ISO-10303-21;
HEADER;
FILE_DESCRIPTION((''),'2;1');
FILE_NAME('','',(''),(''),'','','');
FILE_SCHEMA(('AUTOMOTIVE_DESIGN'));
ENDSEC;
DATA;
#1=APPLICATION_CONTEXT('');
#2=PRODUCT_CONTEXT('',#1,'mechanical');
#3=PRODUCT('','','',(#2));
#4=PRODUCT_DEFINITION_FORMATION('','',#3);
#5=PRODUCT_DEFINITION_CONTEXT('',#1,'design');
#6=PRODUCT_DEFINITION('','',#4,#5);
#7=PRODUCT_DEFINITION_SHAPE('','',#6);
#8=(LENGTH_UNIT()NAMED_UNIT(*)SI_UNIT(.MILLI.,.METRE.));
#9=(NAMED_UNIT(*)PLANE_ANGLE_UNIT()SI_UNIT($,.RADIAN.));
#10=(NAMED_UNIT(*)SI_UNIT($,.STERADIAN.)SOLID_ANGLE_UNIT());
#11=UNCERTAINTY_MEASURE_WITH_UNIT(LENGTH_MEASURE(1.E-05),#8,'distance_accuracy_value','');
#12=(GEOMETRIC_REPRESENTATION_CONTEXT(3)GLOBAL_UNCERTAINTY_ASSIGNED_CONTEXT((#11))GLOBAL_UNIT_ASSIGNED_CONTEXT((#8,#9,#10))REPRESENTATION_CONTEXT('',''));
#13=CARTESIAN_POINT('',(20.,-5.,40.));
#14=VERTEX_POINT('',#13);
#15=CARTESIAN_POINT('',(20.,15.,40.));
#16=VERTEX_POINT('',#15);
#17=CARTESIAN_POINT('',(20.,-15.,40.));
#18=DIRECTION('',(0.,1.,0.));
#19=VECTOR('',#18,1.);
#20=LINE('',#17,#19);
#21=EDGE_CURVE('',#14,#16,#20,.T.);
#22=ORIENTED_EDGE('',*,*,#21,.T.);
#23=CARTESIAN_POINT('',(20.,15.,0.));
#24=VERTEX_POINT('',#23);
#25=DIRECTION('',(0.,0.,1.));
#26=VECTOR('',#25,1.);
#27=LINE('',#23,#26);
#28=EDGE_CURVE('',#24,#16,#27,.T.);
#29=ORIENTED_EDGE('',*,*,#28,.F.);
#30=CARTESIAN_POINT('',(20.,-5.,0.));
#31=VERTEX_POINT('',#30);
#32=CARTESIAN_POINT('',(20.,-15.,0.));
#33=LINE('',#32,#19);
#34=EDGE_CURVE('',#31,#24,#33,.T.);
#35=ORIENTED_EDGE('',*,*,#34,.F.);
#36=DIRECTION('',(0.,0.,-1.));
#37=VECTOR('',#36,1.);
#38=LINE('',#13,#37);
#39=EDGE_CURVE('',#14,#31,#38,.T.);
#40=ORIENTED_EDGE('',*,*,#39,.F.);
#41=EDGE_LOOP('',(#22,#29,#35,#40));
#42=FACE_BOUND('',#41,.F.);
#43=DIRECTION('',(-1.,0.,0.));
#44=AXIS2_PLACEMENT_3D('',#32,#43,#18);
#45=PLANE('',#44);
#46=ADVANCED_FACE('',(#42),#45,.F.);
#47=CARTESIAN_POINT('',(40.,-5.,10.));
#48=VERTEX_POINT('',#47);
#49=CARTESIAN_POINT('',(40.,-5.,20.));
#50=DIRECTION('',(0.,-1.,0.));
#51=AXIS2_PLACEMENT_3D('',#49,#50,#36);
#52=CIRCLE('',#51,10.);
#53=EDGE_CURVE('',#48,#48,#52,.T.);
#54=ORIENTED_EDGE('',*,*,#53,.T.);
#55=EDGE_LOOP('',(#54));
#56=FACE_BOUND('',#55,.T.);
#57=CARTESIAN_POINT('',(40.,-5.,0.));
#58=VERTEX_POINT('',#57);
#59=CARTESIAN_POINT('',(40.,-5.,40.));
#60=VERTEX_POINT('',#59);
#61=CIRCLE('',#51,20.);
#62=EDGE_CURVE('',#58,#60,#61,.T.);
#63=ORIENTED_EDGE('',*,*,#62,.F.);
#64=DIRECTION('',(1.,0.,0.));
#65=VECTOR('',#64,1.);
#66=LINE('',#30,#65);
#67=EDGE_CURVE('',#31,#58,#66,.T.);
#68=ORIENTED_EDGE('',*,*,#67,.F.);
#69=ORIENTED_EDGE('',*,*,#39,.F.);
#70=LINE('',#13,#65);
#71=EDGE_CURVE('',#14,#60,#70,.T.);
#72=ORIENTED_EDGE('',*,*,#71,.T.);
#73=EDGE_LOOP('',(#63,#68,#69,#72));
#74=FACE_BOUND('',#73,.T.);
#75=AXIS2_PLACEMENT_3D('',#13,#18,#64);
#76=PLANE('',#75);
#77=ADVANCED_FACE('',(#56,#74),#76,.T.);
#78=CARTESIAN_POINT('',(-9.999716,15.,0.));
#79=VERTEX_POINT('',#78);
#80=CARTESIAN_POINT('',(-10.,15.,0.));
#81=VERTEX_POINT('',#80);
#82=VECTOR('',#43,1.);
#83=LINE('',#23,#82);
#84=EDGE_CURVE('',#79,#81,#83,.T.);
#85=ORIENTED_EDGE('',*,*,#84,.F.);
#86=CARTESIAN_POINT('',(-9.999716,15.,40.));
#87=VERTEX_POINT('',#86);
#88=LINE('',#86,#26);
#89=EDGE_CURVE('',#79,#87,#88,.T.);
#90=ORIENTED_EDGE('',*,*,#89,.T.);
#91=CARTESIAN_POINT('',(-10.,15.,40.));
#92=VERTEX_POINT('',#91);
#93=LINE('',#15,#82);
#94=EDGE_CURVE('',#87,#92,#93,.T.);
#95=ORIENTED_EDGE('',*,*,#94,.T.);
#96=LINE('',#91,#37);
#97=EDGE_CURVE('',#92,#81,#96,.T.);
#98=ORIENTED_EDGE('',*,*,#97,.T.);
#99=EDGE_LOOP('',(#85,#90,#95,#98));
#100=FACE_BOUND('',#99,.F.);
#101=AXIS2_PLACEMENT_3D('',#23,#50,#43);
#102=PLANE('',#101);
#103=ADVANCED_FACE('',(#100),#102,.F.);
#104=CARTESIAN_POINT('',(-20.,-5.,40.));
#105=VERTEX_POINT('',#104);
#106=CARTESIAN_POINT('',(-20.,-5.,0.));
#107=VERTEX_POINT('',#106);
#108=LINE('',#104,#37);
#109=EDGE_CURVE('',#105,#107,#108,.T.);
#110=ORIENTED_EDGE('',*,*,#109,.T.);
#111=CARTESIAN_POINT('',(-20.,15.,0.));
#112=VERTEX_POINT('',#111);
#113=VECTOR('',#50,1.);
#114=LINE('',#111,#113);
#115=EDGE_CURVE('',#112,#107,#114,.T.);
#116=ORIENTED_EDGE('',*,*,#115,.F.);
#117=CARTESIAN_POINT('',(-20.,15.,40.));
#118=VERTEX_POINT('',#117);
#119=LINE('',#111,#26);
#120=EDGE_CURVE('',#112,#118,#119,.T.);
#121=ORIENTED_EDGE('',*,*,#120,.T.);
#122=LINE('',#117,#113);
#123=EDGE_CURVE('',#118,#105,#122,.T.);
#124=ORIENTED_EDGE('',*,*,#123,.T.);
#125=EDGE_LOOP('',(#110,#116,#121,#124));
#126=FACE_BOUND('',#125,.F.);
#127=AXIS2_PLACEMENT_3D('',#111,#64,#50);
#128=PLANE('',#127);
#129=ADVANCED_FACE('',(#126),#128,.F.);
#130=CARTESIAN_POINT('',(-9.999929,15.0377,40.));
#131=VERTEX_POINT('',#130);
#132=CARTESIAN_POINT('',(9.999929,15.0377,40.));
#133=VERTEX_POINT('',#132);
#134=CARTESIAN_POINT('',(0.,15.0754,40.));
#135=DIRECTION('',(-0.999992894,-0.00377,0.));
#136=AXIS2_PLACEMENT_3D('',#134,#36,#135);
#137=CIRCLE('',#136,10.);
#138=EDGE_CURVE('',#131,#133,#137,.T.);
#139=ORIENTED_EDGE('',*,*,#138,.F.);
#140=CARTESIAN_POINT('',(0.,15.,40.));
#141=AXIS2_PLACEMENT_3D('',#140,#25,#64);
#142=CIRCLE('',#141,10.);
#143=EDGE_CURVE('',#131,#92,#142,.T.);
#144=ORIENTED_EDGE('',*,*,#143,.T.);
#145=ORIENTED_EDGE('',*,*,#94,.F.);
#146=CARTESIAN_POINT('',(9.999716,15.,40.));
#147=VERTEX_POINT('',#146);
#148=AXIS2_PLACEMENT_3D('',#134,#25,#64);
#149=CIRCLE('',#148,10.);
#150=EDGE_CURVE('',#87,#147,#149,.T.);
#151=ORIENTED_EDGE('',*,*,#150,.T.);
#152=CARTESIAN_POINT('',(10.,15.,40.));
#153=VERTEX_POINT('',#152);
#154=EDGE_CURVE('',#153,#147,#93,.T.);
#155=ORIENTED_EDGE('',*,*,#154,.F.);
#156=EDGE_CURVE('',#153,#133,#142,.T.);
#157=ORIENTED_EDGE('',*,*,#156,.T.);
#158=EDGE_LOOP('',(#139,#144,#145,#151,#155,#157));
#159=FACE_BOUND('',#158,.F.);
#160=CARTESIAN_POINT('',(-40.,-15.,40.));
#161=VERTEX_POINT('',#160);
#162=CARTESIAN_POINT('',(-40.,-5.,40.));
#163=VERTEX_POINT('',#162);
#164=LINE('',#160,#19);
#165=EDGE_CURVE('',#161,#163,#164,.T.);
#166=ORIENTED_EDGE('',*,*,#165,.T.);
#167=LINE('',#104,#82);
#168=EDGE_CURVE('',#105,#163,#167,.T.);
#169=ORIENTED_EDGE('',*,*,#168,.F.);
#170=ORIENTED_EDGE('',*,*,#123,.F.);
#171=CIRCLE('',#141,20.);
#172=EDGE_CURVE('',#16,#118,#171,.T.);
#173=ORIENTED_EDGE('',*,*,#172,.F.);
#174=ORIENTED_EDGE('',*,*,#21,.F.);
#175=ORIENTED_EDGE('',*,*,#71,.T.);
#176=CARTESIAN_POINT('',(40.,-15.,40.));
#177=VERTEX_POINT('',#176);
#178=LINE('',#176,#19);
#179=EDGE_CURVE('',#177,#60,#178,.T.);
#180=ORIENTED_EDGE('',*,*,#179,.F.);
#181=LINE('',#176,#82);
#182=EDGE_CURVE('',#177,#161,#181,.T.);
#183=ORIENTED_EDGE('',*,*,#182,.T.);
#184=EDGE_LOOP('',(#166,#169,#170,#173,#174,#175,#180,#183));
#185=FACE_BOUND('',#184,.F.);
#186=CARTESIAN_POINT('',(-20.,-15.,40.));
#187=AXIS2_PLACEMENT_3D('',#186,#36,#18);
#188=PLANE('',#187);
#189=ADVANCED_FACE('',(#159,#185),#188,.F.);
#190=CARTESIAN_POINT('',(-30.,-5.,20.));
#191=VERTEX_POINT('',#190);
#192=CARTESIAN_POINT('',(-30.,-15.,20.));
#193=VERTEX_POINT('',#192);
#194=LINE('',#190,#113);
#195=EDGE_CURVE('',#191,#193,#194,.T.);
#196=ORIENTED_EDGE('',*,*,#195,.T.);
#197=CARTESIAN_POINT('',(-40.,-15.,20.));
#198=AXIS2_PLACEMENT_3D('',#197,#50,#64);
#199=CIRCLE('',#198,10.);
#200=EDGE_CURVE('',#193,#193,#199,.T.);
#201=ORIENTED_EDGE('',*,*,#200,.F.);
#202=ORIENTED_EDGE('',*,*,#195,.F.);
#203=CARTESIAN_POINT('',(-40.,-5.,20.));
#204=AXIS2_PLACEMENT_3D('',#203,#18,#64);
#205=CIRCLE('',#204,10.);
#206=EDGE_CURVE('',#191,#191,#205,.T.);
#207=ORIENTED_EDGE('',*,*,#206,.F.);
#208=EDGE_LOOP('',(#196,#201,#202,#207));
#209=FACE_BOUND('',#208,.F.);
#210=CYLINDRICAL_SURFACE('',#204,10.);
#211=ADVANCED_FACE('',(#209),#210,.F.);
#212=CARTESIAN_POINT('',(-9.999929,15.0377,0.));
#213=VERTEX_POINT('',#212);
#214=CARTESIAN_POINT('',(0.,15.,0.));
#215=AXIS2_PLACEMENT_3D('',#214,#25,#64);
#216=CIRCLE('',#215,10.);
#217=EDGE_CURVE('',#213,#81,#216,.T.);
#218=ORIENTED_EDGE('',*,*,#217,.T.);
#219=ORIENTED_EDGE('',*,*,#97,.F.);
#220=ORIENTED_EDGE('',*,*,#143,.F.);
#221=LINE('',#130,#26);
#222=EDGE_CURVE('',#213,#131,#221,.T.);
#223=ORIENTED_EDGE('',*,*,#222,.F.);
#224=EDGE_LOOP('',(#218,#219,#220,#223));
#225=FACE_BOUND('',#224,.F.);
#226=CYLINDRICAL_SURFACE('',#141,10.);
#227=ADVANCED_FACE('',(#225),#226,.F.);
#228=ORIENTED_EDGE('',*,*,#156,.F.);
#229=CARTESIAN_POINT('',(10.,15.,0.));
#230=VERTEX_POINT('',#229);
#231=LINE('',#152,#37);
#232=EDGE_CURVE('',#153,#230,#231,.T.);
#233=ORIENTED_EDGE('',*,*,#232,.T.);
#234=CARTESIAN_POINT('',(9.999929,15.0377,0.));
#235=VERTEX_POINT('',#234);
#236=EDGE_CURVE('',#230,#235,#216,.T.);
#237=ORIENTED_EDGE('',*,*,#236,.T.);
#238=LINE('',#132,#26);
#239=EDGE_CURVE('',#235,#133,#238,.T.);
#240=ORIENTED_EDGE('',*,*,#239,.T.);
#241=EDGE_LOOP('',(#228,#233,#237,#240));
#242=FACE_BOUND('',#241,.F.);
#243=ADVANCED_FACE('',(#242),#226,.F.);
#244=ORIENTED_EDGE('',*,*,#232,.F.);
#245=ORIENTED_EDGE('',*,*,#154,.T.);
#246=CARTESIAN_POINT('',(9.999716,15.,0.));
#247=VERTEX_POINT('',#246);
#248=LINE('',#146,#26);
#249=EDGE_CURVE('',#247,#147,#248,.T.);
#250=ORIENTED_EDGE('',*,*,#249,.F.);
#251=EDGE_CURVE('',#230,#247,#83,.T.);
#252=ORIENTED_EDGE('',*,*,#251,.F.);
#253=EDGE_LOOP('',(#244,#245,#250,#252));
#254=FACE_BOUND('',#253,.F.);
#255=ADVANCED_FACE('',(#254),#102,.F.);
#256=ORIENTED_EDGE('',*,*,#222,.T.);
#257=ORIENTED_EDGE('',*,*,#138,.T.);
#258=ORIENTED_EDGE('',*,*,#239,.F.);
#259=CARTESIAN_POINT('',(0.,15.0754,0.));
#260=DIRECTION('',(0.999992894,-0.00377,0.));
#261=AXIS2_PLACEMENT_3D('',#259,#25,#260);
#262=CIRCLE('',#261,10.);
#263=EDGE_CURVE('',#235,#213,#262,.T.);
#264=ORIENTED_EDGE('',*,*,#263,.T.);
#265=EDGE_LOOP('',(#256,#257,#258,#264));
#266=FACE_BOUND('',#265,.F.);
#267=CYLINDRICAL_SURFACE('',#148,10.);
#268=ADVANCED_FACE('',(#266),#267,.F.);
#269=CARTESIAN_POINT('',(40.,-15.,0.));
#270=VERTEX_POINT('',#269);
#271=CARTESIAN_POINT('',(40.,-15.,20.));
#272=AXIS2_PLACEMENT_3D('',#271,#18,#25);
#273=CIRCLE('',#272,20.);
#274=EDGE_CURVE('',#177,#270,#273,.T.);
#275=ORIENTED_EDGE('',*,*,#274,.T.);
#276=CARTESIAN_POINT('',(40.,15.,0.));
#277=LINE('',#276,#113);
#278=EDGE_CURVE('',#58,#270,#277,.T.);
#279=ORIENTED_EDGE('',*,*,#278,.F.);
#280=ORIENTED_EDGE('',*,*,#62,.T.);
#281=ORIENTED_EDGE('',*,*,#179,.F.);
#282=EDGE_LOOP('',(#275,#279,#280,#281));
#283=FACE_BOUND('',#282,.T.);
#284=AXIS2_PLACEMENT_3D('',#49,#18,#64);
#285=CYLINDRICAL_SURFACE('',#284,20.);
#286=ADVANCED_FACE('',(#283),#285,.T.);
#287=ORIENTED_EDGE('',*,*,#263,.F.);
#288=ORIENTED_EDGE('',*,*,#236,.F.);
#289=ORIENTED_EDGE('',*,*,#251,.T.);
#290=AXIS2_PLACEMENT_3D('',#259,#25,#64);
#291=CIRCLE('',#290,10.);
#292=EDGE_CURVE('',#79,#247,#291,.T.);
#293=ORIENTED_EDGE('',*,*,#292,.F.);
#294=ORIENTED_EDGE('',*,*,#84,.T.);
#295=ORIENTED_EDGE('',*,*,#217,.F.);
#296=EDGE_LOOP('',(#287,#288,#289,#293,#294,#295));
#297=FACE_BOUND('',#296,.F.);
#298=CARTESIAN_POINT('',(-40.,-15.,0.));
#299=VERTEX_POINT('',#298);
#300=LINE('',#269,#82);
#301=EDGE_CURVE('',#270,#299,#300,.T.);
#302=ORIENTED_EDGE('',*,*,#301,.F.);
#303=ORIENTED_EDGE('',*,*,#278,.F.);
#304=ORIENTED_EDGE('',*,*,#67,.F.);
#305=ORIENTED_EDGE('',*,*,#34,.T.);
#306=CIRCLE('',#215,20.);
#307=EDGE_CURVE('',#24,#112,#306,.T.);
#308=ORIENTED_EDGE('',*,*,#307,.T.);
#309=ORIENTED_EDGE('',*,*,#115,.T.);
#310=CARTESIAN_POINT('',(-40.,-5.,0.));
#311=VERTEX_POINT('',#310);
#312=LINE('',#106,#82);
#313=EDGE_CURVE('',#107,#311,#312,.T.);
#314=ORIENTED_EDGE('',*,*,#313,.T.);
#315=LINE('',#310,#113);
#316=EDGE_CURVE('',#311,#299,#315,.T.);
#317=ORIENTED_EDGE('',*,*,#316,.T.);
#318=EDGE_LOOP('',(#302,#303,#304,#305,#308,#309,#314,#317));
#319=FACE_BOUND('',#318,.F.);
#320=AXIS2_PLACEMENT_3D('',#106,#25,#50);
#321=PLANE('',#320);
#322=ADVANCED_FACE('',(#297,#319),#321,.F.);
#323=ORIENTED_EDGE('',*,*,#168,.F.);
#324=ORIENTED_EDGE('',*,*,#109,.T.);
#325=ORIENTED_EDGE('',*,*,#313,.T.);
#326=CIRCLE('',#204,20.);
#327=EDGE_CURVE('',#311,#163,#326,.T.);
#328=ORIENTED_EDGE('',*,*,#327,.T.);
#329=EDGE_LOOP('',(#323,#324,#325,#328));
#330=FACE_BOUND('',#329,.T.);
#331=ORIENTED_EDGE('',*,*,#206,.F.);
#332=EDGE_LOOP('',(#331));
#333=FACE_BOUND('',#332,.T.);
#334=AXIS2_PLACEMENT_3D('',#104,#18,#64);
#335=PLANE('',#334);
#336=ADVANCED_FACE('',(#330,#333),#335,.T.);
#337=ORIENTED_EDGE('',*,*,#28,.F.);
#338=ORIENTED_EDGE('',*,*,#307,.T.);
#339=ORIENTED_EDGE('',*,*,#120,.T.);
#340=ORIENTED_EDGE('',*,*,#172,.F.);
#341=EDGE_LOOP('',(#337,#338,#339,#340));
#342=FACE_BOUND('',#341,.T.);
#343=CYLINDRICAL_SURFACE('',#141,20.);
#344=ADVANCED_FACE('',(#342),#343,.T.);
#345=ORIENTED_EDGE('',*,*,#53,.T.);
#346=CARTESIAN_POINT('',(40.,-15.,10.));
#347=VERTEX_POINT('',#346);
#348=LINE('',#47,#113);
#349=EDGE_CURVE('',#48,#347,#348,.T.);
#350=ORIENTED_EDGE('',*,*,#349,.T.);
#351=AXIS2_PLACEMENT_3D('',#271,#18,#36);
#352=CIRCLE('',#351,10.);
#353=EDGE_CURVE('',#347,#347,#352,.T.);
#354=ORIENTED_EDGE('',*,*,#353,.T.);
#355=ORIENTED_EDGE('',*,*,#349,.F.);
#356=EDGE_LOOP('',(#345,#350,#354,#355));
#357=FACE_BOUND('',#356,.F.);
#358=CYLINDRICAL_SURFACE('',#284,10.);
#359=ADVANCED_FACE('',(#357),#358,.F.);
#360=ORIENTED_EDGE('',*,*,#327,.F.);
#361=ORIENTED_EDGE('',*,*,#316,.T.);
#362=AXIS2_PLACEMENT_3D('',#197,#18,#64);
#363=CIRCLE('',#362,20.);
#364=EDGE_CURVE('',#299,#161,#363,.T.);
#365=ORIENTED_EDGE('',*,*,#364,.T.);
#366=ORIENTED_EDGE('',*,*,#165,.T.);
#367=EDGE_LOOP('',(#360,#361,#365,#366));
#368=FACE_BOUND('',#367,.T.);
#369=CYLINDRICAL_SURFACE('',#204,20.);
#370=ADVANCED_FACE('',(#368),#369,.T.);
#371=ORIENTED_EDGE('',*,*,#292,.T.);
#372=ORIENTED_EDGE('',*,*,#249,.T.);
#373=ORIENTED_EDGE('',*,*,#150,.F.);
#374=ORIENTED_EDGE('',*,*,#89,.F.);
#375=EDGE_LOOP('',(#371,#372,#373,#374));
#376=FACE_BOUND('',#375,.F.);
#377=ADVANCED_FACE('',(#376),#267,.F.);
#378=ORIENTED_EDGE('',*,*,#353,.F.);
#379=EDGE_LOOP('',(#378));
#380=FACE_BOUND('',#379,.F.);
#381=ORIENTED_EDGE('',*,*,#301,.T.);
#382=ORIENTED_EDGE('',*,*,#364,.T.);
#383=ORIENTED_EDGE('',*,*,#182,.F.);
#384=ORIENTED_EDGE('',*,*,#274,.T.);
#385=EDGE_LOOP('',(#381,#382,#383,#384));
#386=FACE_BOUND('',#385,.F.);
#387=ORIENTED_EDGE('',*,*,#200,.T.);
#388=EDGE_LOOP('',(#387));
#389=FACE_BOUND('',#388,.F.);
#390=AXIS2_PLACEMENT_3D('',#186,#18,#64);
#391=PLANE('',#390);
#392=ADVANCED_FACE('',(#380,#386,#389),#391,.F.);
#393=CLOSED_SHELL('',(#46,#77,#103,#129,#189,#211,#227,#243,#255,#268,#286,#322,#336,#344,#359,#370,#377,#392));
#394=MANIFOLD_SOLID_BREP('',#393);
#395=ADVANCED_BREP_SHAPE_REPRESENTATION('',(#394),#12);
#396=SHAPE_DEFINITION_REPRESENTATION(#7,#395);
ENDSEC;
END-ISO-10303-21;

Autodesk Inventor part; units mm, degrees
ref_plane "YZ Plane" through (0, 0, 0) normal (1, 0, 0) x (0, 1, 0)
ref_plane "XZ Plane" through (0, 0, 0) normal (0, 1, 0) x (-1, 0, 0)
ref_plane "XY Plane" through (0, 0, 0) normal (0, 0, 1) x (1, 0, 0)
sketch "Boceto1" plane through (0, 0, 0) normal (0, 0, 1) x (1, 0, 0)
  line L0 (-20, -15) -> (20, -15)
  line L1 (20, -15) -> (20, 15)
  line L2 (20, 15) -> (-20, 15)
  line L3 (-20, 15) -> (-20, -15)
  line L4 (-20, -15) -> (20, 15) construction
  line L5 (20, -15) -> (-20, 15) construction
  point P0 (0, 0)
  dimension "d0" = 40
  dimension "d1" = 30
extrude "Extrusión1" add sketch "Boceto1" along normal blind 40
sketch "Boceto2" plane through (0, 0, 40) normal (0, 0, 1) x (1, 0, 0)
  line L0 (20, 15) -> (-20, 15) projected
  circle A0 centre (0, 15) radius 10
  circle A1 centre (0, 15) radius 20
  point P0 (0, 0)
  point P1 (-10, 15)
  point P2 (10, 15)
  dimension "d4" = 20
extrude "Extrusión2" add sketch "Boceto2" against normal blind 40 contours L0 A0 A1 picked at (-3.5694, 31.1605)
sketch "Boceto3" plane through (0, 0, 40) normal (0, 0, 1) x (1, 0, 0)
  circle A0 centre (0, 15.0754) radius 10
  point P0 (0, 0)
  dimension "d7" = 20
extrude "Extrusión3" cut sketch "Boceto3" against normal blind 40
sketch "Boceto4" plane through (20, -15, 40) normal (1, 0, 0) x (0, 0, -1)
  line L0 (40, 30) -> (40, 0) projected
  line L1 (40, 0) -> (0, 0)
  line L2 (0, 0) -> (0, 10)
  line L3 (0, 10) -> (40, 10)
  line L4 (40, 10) -> (40, 0)
  point P0 (40, 15)
  dimension "d10" = 40
  dimension "d11" = 10
extrude "Extrusión4" add sketch "Boceto4" along normal blind 20
sketch "Boceto5" plane through (20, -5, 40) normal (0, 1, 0) x (1, 0, 0)
  line L0 (20, 40) -> (20, 0) projected
  circle A0 centre (20, 20) radius 10
  circle A1 centre (20, 20) radius 20
  point P0 (-20, 40)
  point P1 (20, 30)
  point P2 (20, 10)
  dimension "d14" = 20
extrude "Extrusión5" add sketch "Boceto5" against normal blind 10 contours A1 L0 A0 picked at (36.4159, 17.7748)
sketch "Boceto6" plane through (20, -5, 40) normal (0, 1, 0) x (1, 0, 0)
  line L0 (20, 10) -> (20, 30) projected
  circle A0 centre (20, 20) radius 10
  point P0 (-20, 40)
  dimension "d17" = 20
extrude "Extrusión6" cut sketch "Boceto6" against normal blind 10 contours A0 L0 picked at (18.4509, 17.0485)
sketch "Boceto7" plane through (-20, -15, 0) normal (-1, 0, 0) x (0, 0, 1)
  point P0 (0, 15)
sketch "Boceto8" plane through (-20, -15, 0) normal (-1, 0, 0) x (0, 0, 1)
  line L0 (0, 0) -> (40, 0) projected
  line L1 (0, 0) -> (40, 0)
  line L2 (40, 0) -> (40, 10)
  line L3 (40, 10) -> (0, 10)
  line L4 (0, 10) -> (0, 0)
  point P0 (0, 15)
  dimension "d20" = 40
  dimension "d21" = 10
extrude "Extrusión7" add sketch "Boceto8" along normal blind 20
sketch "Boceto9" plane through (-20, -5, 40) normal (0, 1, 0) x (1, 0, 0)
  line L0 (-20, 40) -> (-20, 0) projected
  circle A0 centre (-20, 20) radius 10
  circle A1 centre (-20, 20) radius 20
  point P0 (20, 40)
  point P1 (-20, 10)
  point P2 (-20, 30)
  dimension "d24" = 20
  dimension "d25" = 40
extrude "Extrusión8" add sketch "Boceto9" against normal blind 10 contours L0 A0 A1 picked at (-22.3932, 3.6239)
sketch "Boceto10" plane through (-20, -5, 40) normal (0, 1, 0) x (1, 0, 0)
  line L0 (-20, 30) -> (-20, 10) projected
  circle A0 centre (-20, 20) radius 10
  point P0 (20, 40)
  dimension "d28" = 20
extrude "Extrusión9" cut sketch "Boceto10" against normal blind 10 contours A0 L0 picked at (-17.3939, 17.9217)
thread "Rosca1" size "M20x2.5" class "6H" standard "ANSI Metric M Profile" full length
thread "Rosca2" size "M20x2.5" class "6H" standard "ANSI Metric M Profile" full length
thread "Rosca3" size "M20x2.5" class "6H" standard "ANSI Metric M Profile" full length
thread "Rosca4" size "M20x2.5" class "6H" standard "ANSI Metric M Profile" full length
properties part number "Tarea#1 Adrian Montalvan"
